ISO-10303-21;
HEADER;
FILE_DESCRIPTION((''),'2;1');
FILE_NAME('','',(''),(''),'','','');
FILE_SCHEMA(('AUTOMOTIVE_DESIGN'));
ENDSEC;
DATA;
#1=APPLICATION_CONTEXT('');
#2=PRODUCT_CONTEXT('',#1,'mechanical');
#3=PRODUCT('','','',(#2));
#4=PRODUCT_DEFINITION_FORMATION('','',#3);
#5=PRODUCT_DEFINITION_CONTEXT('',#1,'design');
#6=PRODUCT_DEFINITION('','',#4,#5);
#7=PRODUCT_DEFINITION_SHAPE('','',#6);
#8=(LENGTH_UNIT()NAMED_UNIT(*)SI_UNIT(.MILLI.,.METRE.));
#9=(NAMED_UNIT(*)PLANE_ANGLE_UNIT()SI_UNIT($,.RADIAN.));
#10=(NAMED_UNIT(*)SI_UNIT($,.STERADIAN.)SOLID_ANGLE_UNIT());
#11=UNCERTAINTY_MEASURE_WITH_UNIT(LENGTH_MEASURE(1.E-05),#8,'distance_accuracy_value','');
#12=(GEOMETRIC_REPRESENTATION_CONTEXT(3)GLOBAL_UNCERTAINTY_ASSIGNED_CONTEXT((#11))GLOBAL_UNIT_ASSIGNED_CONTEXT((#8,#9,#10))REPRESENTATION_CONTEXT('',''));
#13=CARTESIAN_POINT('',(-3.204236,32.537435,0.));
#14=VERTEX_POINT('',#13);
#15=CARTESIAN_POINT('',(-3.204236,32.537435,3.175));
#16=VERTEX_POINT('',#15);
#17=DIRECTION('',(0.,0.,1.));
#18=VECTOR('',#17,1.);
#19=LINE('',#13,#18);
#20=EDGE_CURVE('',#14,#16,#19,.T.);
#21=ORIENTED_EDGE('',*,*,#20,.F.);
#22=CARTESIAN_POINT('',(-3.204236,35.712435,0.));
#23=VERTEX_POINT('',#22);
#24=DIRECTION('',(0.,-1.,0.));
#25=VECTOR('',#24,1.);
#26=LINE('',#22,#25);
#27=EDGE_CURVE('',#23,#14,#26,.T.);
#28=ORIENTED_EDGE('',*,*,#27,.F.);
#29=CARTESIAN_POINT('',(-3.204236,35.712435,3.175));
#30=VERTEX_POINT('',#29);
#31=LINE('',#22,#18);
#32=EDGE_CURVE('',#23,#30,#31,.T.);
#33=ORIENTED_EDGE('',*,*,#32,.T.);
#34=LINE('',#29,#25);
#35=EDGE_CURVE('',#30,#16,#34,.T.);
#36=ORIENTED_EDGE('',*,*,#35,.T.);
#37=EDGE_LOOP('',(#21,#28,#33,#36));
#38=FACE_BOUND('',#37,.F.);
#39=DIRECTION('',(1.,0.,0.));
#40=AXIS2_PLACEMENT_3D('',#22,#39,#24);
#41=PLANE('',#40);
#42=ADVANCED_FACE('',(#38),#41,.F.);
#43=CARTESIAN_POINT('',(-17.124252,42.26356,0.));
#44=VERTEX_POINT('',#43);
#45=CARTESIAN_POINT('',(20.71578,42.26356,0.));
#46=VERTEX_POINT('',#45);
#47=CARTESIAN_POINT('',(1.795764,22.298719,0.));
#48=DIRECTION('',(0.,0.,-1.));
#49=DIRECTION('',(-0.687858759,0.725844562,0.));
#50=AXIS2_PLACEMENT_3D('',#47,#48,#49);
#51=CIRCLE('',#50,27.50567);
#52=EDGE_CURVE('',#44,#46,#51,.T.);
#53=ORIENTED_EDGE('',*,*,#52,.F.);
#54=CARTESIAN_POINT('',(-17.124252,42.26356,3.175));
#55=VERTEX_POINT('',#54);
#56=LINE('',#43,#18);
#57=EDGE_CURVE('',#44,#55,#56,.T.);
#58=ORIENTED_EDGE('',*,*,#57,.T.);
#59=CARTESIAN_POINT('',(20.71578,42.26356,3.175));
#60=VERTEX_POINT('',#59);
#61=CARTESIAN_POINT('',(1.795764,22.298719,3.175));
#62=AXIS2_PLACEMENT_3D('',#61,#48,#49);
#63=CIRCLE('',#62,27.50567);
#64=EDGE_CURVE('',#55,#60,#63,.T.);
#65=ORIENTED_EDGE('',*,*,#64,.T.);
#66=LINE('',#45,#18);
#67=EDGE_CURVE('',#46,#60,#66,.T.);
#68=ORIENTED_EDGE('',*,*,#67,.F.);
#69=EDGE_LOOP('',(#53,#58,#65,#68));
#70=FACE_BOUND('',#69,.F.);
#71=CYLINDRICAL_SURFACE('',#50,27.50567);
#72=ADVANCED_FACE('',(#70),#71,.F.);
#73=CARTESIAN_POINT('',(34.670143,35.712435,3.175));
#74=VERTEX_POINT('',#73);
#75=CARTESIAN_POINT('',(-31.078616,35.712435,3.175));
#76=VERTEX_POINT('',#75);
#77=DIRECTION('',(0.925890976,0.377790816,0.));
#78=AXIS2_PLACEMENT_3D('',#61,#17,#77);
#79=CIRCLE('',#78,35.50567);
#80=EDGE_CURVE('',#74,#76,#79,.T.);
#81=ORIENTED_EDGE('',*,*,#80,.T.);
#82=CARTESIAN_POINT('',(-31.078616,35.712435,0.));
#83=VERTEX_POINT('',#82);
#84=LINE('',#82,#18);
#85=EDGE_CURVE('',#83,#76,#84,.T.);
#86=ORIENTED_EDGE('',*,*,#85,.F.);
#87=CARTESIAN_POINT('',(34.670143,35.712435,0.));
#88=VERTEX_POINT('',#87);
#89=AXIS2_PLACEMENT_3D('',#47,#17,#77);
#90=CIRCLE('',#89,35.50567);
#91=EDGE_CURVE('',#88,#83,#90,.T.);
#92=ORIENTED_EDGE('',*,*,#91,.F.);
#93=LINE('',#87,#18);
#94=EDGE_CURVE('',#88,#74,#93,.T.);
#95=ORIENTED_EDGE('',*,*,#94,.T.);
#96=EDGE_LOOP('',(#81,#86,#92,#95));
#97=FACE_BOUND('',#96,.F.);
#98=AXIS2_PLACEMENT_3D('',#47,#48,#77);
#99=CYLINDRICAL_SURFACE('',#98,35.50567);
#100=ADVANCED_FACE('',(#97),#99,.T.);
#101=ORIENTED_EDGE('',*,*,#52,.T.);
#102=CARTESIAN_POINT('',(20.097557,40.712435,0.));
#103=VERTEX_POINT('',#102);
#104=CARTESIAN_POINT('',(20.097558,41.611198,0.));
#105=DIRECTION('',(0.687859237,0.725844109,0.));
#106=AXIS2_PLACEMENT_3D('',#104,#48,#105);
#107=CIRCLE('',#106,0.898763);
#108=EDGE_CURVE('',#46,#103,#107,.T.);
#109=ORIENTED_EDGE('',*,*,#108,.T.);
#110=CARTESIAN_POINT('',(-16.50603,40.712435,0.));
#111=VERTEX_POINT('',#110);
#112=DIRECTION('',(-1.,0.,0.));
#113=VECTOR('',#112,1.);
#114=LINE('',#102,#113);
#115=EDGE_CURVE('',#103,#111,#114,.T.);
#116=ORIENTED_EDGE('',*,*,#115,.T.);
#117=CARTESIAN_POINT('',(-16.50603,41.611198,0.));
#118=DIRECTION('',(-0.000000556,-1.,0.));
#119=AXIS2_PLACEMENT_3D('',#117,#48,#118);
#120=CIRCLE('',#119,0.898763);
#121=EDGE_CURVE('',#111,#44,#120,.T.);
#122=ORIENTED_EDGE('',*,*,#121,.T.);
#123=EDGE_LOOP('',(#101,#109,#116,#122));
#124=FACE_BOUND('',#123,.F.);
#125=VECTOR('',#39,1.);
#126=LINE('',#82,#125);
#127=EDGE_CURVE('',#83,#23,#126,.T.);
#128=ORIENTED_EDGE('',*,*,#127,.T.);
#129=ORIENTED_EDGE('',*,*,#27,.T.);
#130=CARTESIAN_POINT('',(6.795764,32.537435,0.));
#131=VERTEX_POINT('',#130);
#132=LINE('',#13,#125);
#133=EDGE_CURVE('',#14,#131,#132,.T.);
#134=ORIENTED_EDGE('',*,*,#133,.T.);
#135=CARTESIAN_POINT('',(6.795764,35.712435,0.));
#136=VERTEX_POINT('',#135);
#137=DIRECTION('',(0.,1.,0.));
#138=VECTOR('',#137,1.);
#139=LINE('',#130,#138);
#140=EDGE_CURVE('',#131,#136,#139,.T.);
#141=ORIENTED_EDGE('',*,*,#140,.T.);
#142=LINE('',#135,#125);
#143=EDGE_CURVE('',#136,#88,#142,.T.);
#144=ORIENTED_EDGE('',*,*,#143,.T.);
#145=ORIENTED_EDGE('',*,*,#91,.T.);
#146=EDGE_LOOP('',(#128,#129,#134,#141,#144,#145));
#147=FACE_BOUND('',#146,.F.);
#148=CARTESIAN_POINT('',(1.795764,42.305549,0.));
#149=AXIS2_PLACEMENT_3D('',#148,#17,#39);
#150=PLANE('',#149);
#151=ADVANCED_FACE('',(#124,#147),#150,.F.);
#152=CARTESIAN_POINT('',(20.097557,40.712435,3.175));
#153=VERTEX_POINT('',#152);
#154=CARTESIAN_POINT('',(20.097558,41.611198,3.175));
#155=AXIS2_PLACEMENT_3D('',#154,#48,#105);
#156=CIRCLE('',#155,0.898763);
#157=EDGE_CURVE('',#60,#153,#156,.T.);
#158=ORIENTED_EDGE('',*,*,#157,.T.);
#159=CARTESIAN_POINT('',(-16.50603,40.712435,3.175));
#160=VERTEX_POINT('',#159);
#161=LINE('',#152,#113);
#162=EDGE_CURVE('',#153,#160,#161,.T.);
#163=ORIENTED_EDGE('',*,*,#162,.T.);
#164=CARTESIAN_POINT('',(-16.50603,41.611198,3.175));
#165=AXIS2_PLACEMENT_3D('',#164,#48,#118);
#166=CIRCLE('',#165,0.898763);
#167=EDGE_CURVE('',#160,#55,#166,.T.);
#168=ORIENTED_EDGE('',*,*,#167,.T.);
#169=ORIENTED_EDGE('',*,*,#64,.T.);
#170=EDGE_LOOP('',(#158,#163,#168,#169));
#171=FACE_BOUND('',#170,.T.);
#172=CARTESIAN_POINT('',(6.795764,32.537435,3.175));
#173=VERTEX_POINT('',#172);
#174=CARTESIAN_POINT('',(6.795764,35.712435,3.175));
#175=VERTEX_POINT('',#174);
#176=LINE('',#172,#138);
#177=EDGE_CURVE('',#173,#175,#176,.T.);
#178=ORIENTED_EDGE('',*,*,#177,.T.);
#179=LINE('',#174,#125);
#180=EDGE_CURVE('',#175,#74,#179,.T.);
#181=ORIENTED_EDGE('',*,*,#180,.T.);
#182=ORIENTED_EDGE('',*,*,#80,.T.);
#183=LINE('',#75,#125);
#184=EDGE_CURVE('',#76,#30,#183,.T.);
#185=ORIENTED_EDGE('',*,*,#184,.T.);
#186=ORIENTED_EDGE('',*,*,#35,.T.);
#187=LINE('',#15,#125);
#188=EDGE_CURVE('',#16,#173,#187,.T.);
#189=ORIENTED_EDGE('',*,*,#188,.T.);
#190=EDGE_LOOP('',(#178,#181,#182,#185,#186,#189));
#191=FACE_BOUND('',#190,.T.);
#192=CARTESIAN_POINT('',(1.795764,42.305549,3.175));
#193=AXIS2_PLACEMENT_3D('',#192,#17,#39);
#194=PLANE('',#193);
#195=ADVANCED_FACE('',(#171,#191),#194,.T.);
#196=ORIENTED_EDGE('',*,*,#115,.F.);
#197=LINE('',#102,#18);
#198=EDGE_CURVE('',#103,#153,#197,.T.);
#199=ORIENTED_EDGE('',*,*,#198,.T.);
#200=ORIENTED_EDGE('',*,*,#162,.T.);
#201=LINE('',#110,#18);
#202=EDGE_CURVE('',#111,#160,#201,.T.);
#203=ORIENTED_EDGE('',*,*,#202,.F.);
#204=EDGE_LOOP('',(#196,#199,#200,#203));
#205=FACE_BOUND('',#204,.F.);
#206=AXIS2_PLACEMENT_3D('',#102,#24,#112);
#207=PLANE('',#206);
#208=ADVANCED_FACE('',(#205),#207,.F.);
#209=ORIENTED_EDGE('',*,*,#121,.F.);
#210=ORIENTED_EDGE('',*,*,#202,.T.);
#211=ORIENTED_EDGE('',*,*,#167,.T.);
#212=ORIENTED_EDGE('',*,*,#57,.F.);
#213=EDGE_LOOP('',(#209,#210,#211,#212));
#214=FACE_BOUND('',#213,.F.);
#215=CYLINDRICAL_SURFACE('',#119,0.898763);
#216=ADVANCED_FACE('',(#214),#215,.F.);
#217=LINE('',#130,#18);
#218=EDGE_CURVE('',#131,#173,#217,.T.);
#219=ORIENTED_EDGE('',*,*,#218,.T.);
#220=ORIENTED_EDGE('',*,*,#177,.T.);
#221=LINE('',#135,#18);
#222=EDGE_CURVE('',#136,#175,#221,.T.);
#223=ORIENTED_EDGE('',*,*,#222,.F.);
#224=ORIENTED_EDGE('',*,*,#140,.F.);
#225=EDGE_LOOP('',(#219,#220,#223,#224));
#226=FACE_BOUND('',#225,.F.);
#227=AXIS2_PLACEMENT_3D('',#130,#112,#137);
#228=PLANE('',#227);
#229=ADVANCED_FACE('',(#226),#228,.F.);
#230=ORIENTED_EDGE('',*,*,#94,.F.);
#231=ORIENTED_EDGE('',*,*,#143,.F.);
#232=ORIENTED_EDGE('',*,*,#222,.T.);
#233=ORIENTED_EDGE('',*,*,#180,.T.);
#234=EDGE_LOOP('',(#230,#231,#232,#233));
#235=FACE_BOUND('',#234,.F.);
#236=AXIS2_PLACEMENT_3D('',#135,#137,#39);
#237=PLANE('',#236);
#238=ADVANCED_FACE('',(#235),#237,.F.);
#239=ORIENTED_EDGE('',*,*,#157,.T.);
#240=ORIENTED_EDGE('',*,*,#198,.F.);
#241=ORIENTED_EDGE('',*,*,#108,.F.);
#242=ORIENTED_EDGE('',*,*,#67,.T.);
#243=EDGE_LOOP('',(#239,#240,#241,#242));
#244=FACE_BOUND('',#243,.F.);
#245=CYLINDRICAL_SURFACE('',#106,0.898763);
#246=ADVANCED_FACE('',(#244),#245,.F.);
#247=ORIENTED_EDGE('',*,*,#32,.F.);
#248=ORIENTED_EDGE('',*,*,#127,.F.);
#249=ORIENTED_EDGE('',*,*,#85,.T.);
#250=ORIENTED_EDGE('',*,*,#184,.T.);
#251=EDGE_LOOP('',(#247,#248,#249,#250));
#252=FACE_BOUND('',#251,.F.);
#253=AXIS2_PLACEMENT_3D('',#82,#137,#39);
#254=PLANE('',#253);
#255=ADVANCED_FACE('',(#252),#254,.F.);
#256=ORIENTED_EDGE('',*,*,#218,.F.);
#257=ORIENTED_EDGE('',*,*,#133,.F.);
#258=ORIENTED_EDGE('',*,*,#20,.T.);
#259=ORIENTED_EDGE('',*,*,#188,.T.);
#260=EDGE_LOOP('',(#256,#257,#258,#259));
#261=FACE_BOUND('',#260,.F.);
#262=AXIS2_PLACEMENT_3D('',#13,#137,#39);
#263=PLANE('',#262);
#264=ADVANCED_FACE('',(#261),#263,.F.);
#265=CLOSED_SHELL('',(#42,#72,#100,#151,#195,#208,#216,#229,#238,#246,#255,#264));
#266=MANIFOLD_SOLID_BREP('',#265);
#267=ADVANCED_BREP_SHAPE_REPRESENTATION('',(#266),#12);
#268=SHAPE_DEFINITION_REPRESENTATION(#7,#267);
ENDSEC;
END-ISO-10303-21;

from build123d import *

# Parameters (mm, degrees)
F1_DEPTH = 3.175


with BuildPart() as f1:
    # F0 (on Top) → F1 (new body)
    with BuildSketch(Plane.XY):
        with BuildLine():
            Line((6.795764, 35.712435), (34.670143, 35.712435))
            ThreePointArc((34.670143, 35.712435), (1.795764, 57.804389), (-31.078616, 35.712435))
            Line((-31.078616, 35.712435), (-3.204236, 35.712435))
            Line((-3.204236, 35.712435), (-3.204236, 32.537435))
            Line((-3.204236, 32.537435), (1.795764, 32.537435))
            Line((1.795764, 32.537435), (6.795764, 32.537435))
            Line((6.795764, 32.537435), (6.795764, 35.712435))
        make_face()
        with BuildLine():
            ThreePointArc((-17.124252, 42.26356), (1.795764, 49.804389), (20.71578, 42.26356))
            ThreePointArc((20.71578, 42.26356), (20.932451, 41.27844), (20.097557, 40.712435))
            Line((20.097557, 40.712435), (-16.50603, 40.712435))
            ThreePointArc((-16.50603, 40.712435), (-17.340923, 41.27844), (-17.124252, 42.26356))
        make_face(mode=Mode.SUBTRACT)
    extrude(amount=F1_DEPTH)


solid = f1.part
